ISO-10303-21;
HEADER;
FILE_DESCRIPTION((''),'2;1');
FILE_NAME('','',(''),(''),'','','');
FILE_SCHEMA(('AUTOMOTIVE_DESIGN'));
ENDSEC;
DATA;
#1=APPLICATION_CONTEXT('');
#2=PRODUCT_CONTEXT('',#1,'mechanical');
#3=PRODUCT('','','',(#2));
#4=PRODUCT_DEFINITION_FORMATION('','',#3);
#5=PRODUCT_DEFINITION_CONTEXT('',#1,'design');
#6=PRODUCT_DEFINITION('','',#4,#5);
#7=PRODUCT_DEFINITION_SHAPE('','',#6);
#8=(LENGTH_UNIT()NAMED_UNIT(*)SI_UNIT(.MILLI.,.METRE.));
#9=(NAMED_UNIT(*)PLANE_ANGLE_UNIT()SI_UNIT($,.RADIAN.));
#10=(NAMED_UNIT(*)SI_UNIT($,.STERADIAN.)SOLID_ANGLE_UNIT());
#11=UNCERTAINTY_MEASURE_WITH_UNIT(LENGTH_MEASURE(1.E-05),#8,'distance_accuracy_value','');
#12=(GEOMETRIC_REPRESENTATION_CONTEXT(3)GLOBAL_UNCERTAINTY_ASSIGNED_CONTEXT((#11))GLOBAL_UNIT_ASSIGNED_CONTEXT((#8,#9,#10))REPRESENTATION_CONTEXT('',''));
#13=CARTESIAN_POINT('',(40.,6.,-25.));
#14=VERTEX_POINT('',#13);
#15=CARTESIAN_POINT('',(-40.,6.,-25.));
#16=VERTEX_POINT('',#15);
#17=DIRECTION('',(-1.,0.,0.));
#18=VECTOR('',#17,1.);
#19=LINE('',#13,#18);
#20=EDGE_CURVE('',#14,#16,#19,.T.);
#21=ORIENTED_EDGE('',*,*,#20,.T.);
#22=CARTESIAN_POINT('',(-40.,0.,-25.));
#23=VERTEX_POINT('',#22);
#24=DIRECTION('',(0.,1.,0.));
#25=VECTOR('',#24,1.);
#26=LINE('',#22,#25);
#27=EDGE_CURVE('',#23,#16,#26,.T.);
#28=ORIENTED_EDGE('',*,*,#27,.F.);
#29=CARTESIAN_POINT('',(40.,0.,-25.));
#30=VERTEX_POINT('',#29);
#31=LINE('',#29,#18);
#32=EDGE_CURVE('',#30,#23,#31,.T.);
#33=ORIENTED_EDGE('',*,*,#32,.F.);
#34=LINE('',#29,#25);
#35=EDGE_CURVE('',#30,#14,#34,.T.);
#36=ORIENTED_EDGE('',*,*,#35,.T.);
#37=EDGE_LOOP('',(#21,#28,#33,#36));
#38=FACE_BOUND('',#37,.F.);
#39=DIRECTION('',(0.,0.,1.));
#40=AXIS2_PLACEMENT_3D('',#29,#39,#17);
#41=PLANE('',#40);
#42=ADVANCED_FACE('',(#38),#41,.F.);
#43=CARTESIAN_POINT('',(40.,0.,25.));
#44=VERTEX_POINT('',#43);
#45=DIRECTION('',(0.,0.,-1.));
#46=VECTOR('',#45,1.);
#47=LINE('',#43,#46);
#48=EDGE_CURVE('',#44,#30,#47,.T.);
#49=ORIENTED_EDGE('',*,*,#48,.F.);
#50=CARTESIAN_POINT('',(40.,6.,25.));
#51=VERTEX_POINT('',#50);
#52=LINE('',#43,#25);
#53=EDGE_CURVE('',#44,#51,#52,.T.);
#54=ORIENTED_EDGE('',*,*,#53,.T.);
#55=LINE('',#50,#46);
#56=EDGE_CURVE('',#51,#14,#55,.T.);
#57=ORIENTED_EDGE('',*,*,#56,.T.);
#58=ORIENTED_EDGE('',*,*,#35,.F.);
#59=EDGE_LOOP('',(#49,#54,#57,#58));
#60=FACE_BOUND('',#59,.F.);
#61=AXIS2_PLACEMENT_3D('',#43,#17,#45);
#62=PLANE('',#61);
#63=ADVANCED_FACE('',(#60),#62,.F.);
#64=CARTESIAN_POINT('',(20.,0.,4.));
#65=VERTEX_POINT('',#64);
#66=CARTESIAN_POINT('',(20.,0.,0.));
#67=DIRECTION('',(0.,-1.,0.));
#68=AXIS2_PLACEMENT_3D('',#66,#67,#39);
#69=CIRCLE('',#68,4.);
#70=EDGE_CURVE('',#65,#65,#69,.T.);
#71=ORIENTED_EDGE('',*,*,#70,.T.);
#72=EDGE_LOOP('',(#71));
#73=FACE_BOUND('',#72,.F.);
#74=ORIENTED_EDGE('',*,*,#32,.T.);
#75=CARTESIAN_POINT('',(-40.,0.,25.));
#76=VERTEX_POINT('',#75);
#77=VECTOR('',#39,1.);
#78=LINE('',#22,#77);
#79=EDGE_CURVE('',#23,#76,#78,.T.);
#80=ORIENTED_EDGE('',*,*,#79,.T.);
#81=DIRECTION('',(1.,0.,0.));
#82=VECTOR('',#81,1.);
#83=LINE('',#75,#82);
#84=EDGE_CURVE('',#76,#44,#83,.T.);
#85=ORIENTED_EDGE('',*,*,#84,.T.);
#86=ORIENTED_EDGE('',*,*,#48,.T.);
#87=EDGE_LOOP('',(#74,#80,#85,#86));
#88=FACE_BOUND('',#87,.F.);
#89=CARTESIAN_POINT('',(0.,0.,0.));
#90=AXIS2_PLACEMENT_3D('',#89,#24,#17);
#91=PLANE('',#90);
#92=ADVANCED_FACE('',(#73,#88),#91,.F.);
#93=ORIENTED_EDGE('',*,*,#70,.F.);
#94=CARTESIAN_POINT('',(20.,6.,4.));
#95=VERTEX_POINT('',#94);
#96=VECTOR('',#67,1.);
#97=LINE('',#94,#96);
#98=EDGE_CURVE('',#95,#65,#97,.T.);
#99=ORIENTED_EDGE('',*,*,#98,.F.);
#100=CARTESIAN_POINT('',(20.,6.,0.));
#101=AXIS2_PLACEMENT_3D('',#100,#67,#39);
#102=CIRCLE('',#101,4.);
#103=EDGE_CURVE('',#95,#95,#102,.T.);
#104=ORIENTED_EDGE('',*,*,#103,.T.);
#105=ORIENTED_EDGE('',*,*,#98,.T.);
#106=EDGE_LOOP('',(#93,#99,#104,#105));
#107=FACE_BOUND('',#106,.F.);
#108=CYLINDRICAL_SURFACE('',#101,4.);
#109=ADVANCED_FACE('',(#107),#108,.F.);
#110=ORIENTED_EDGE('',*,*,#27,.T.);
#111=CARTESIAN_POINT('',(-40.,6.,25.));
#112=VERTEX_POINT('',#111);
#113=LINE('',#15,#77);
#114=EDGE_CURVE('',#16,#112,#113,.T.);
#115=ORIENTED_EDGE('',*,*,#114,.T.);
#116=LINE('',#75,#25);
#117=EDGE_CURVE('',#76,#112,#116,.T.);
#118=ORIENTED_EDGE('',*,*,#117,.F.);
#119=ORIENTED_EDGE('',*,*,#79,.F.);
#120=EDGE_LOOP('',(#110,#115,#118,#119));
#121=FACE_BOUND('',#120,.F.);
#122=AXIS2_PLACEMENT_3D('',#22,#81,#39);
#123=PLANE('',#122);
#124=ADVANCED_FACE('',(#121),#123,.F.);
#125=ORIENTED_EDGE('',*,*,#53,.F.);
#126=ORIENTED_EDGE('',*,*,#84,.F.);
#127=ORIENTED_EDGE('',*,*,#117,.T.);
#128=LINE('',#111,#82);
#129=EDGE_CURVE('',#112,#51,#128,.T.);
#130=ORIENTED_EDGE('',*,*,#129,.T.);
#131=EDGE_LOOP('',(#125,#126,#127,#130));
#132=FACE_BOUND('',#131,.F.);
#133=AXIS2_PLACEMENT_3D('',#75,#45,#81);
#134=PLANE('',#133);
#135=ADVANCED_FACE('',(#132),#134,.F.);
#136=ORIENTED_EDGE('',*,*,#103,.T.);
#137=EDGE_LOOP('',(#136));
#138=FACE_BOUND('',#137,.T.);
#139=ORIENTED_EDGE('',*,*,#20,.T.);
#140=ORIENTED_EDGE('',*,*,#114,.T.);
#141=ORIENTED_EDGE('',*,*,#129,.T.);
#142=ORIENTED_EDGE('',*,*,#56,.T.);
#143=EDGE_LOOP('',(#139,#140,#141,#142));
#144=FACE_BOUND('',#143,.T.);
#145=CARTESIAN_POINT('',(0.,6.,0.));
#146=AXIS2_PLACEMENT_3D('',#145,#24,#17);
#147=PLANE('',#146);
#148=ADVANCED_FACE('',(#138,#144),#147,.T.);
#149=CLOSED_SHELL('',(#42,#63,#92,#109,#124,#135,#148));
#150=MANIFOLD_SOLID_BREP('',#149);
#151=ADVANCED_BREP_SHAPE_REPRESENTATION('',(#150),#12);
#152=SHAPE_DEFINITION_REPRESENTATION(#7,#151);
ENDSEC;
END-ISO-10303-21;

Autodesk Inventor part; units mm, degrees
ref_plane "YZ Plane" through (0, 0, 0) normal (1, 0, 0) x (0, 1, 0)
ref_plane "XZ Plane" through (0, 0, 0) normal (0, 1, 0) x (-1, 0, 0)
ref_plane "XY Plane" through (0, 0, 0) normal (0, 0, 1) x (1, 0, 0)
sketch "Sketch1" plane through (0, 0, 0) normal (0, 1, 0) x (-1, 0, 0)
  line L0 (40, 25) -> (-40, 25)
  line L1 (-40, 25) -> (-40, -25)
  line L2 (-40, -25) -> (40, -25)
  line L3 (40, -25) -> (40, 25)
  point P0 (0, 0)
  dimension "d0" = 50
  dimension "d1" = 40
  dimension "d2" = 80
  dimension "d3" = 25
extrude "base" add sketch "Sketch1" along normal blind 6
sketch "Sketch2" plane through (0, 6, 0) normal (0, 1, 0) x (1, 0, 0)
  point P0 (0, 0)
  point P1 (20, 0)
  dimension "d6" = 20
  dimension "d7" = 0
hole "mountingHole" at (20, 6, 0) direction (0, -1, 0) diameter 8 end through all
equation "\"d1\" = 0.5 * d2"
equation "\"d3\" = 0.5 * d0"
properties part number "support_weldPlate" material "Steel, Galvanized"
